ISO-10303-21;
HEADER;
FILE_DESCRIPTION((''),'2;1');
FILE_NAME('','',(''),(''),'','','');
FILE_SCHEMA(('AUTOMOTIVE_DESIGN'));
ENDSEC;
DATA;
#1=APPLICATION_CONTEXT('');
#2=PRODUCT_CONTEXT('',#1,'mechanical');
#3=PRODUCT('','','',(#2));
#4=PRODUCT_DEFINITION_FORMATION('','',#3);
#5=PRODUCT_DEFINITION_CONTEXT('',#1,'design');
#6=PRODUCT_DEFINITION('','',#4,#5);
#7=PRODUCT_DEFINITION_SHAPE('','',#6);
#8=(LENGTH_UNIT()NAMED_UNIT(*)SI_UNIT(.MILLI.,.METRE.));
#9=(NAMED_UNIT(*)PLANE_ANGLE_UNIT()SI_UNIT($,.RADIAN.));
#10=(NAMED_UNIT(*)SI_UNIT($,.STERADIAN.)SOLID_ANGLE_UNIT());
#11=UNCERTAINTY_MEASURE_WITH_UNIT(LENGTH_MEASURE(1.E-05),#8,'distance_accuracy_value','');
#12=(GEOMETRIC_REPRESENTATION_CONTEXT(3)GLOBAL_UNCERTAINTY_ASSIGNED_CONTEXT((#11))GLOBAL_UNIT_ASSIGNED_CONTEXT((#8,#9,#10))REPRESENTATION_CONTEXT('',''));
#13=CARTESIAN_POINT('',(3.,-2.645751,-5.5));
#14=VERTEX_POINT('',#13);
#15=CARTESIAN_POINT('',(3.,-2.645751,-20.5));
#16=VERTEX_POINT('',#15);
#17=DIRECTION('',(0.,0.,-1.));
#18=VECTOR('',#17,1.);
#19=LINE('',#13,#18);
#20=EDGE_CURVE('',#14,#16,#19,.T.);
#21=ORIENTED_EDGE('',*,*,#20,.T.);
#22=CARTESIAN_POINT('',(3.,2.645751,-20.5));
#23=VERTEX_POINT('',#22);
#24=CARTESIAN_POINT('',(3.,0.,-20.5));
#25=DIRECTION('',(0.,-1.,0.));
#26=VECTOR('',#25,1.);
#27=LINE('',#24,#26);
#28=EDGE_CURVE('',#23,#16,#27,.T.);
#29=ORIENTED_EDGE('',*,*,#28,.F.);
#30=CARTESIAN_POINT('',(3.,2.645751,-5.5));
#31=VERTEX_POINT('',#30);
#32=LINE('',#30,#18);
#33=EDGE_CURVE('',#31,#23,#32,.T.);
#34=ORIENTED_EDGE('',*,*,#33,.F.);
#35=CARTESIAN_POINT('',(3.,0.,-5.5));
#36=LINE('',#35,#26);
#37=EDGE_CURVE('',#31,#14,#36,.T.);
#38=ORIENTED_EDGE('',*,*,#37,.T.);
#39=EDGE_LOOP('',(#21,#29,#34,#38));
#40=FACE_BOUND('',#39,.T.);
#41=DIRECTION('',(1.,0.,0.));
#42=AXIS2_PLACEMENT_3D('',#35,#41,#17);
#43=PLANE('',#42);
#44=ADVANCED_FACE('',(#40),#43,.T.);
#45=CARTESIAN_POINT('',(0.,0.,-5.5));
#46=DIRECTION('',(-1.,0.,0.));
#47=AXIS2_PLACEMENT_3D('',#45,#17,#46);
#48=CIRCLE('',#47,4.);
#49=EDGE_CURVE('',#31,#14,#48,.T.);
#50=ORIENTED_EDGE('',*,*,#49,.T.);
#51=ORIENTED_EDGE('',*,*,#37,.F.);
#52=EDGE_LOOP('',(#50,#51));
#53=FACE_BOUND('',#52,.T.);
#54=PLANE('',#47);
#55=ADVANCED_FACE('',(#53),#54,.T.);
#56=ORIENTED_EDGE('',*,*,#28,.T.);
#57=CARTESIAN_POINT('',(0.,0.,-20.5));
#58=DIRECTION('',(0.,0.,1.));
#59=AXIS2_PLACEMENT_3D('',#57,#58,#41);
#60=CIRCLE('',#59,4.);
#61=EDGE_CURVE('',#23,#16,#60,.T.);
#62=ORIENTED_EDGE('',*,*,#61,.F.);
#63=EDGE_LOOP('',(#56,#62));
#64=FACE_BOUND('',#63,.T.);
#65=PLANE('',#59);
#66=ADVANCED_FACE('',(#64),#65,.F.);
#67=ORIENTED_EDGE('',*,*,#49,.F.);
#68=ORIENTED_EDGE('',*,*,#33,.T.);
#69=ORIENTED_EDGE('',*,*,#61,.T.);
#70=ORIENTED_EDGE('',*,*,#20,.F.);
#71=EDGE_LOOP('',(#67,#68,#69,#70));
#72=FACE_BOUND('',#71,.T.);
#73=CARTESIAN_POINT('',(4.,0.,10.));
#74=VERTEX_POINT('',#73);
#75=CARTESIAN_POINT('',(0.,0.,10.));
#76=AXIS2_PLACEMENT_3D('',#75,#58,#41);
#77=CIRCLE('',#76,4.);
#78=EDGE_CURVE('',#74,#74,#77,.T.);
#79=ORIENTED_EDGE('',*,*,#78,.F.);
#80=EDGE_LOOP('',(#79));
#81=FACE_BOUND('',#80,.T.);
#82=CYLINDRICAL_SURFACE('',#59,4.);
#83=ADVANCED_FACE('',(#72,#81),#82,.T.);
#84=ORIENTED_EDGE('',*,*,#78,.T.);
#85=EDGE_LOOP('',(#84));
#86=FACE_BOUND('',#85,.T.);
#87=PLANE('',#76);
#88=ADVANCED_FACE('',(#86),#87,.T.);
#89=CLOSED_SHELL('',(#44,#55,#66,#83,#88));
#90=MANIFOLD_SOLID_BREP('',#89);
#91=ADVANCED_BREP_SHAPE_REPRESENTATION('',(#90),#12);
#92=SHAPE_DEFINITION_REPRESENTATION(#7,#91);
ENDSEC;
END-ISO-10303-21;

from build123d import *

# Parameters (mm, degrees)
EXTRUDE_1_DEPTH      = 10
EXTRUDE_1_DEPTH_BACK = 20.5
SKETCH_1_R           = 4
CUT_EXTRUDE_1_DEPTH  = 15


with BuildPart() as part:
    # 스케치1 → 보스-돌출1 (new, two sides: drawn at the far end of the back side and taken through both)
    with BuildSketch(Plane.XY.offset(-EXTRUDE_1_DEPTH_BACK)):
        Circle(SKETCH_1_R)
    extrude(amount=EXTRUDE_1_DEPTH + EXTRUDE_1_DEPTH_BACK)

    # 스케치3 → 컷-돌출1 (cut)
    with BuildSketch(Plane(origin=(0, 0, -20.5), x_dir=(-1, 0, 0), z_dir=(0, 0, -1))):
        with BuildLine():
            Line((-3, 2.645751311), (-3, -2.645751311))
            ThreePointArc((-3, -2.645751311), (-4, 0), (-3, 2.645751311))
        make_face()
    extrude(amount=-CUT_EXTRUDE_1_DEPTH, mode=Mode.SUBTRACT)


solid = part.part
